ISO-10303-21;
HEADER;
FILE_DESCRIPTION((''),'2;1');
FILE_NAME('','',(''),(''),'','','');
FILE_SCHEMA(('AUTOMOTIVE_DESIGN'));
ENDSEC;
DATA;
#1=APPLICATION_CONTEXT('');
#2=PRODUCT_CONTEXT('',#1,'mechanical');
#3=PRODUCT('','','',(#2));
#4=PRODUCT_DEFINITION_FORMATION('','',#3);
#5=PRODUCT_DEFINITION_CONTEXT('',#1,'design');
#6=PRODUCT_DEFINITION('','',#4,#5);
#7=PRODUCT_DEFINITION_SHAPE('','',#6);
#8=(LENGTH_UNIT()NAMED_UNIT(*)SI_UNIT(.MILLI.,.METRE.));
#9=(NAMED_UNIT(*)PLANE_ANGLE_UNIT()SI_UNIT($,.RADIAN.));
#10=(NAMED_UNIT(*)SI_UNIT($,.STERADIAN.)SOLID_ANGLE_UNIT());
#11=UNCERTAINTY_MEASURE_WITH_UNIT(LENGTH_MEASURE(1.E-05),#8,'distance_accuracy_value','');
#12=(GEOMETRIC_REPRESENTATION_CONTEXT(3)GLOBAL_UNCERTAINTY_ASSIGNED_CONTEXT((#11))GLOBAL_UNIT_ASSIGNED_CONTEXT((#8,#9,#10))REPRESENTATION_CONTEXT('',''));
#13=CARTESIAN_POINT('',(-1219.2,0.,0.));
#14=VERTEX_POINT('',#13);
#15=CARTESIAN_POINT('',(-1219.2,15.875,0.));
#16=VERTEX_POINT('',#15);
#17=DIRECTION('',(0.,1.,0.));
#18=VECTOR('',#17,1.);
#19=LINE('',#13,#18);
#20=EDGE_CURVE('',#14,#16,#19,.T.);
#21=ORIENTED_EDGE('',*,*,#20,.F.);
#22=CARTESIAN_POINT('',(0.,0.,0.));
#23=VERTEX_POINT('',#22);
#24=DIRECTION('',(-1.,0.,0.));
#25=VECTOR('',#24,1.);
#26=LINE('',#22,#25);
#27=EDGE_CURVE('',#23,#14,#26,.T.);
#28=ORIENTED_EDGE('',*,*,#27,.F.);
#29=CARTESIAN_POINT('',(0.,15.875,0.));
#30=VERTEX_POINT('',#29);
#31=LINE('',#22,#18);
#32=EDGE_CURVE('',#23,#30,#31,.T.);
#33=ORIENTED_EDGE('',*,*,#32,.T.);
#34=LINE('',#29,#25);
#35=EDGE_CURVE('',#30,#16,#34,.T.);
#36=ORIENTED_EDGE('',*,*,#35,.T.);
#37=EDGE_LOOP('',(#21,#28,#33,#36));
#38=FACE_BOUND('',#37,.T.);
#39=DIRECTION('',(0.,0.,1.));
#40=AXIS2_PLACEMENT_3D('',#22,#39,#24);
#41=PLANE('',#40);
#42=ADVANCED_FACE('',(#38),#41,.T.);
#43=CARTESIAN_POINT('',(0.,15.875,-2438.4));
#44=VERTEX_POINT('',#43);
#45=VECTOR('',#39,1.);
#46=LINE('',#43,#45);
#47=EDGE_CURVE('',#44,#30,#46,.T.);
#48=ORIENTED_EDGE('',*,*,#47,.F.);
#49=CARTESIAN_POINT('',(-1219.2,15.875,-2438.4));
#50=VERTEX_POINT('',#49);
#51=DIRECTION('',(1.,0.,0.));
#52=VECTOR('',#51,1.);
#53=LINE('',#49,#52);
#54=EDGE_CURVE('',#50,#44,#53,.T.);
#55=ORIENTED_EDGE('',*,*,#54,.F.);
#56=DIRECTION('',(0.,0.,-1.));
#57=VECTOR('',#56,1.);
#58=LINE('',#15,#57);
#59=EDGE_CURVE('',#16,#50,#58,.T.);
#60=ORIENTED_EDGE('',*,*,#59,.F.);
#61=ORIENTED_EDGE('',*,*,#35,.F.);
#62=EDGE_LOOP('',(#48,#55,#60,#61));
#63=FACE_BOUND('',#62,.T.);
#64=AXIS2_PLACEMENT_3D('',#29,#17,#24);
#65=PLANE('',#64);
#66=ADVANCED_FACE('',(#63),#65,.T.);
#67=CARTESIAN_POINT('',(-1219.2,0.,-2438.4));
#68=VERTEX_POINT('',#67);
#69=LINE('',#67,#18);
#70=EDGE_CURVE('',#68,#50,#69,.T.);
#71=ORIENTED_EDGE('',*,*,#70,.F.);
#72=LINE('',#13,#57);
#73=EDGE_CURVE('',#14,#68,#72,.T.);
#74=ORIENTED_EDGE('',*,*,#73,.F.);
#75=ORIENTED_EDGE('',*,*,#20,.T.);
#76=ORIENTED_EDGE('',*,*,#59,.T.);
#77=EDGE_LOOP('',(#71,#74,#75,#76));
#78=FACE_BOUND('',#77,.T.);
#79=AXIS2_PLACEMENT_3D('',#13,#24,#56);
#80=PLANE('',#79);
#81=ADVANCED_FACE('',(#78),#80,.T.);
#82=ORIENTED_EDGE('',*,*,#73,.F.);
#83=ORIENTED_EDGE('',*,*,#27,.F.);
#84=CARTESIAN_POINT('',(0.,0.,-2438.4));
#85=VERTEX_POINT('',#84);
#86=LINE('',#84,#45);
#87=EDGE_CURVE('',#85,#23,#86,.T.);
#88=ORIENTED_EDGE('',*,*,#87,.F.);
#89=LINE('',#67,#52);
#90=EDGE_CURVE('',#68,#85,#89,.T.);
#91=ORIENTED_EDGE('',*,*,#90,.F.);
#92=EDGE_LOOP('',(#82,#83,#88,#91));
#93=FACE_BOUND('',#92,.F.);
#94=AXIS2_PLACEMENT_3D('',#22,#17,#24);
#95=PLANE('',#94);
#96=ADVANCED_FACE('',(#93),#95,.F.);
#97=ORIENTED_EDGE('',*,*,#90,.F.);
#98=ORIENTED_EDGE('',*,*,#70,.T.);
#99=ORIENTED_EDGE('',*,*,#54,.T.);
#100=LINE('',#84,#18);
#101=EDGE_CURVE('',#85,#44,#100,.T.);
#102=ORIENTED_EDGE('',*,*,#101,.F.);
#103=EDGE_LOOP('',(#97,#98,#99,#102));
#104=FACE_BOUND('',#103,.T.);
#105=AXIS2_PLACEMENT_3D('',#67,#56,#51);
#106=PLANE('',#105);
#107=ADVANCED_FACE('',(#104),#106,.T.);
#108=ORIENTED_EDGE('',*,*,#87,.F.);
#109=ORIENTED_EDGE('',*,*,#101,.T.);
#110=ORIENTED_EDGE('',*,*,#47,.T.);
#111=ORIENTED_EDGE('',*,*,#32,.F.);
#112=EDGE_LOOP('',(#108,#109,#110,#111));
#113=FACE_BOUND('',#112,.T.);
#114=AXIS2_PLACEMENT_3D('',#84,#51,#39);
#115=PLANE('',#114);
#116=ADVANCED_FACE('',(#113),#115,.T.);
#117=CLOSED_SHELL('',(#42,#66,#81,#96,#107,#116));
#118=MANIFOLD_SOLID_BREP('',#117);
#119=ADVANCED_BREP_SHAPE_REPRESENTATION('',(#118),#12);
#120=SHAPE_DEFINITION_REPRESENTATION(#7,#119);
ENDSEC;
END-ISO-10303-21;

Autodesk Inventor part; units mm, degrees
ref_plane "YZ Plane" through (0, 0, 0) normal (1, 0, 0) x (0, 1, 0)
ref_plane "XZ Plane" through (0, 0, 0) normal (0, 1, 0) x (-1, 0, 0)
ref_plane "XY Plane" through (0, 0, 0) normal (0, 0, 1) x (1, 0, 0)
sketch "Sketch1" plane through (0, 0, 0) normal (0, 1, 0) x (-1, 0, 0)
  line L0 (0, 0) -> (1219.2, 0)
  line L1 (1219.2, 0) -> (1219.2, -2438.4)
  line L2 (1219.2, -2438.4) -> (0, -2438.4)
  line L3 (0, -2438.4) -> (0, 0)
  dimension "d2" = 1219.2
  dimension "d3" = 2438.4
extrude "Extrusion1" add sketch "Sketch1" along normal blind 15.875
properties part number "OSB" material "Wood (Birch)"
